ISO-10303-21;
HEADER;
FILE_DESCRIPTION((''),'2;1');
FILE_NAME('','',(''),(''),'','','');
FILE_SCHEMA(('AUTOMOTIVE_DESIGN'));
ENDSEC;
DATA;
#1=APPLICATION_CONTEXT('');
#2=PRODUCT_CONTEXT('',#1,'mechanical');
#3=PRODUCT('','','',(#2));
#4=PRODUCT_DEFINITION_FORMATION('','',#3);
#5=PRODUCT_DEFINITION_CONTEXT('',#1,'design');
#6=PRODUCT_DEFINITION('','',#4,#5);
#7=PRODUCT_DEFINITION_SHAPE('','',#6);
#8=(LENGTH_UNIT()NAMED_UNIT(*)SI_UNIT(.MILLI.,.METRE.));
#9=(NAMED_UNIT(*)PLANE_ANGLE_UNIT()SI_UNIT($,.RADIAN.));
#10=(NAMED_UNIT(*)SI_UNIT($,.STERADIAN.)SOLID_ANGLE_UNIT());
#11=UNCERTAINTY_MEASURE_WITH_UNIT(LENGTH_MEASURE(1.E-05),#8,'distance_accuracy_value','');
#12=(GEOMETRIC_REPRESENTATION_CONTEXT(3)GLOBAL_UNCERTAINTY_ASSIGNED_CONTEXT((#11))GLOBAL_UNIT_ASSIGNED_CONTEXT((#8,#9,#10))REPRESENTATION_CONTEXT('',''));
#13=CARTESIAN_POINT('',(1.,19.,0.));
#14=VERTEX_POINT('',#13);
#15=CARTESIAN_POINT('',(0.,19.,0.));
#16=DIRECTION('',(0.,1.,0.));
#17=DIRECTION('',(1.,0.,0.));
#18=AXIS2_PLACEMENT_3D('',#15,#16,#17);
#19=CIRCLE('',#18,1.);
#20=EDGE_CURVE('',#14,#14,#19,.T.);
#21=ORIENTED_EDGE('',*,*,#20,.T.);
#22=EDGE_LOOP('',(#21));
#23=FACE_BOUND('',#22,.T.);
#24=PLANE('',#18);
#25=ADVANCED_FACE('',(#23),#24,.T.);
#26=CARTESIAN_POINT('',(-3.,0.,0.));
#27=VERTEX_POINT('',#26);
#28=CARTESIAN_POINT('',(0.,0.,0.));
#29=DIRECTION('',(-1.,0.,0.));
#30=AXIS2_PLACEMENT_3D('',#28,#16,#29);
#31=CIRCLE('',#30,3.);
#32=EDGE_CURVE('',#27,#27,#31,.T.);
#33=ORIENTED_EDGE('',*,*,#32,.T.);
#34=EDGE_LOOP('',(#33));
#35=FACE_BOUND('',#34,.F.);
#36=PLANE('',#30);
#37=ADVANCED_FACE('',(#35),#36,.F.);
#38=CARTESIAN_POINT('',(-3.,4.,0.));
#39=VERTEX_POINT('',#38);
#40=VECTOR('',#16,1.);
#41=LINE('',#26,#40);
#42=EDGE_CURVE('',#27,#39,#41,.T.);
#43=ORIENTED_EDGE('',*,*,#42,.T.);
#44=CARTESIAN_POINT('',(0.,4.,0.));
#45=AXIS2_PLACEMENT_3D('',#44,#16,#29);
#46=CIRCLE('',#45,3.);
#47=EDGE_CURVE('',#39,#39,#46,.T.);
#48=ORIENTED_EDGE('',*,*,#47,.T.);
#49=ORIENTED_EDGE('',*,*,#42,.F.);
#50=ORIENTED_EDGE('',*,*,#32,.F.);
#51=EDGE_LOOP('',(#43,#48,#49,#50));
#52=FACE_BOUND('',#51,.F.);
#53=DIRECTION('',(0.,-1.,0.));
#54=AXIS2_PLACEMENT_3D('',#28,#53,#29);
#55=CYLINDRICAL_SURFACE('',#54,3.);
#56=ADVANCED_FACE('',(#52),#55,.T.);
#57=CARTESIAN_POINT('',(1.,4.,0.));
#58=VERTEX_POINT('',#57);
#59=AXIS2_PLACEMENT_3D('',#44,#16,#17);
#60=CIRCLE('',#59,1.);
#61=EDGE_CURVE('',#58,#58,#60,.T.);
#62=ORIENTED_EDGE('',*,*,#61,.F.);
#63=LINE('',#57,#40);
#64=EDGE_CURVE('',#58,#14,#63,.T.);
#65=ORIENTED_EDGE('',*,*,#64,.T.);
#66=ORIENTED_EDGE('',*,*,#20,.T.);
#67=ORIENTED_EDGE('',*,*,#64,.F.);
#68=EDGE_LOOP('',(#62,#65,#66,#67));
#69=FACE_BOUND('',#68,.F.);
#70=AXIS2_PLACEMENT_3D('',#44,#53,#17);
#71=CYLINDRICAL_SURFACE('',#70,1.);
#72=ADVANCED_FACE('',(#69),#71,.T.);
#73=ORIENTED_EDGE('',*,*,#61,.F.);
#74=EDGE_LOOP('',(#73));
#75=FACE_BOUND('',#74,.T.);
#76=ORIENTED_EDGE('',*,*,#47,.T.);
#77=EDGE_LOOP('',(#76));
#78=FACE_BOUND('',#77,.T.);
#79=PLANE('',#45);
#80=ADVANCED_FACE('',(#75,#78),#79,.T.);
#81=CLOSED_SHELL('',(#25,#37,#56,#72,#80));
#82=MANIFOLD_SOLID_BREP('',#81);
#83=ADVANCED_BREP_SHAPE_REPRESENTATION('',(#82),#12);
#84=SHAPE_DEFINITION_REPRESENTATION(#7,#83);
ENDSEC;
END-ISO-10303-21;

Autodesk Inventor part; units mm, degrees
ref_plane "YZ Plane" through (0, 0, 0) normal (1, 0, 0) x (0, 1, 0)
ref_plane "XZ Plane" through (0, 0, 0) normal (0, 1, 0) x (-1, 0, 0)
ref_plane "XY Plane" through (0, 0, 0) normal (0, 0, 1) x (1, 0, 0)
sketch "Sketch1" plane through (0, 0, 0) normal (0, 1, 0) x (-1, 0, 0)
  circle A0 centre (0, 0) radius 3
  dimension "d0" = 6
extrude "Extrusion1" add sketch "Sketch1" along normal blind 4
sketch "Sketch2" plane through (0, 4, 0) normal (0, 1, 0) x (1, 0, 0)
  circle A0 centre (0, 0) radius 1
  dimension "d3" = 2
extrude "Extrusion2" add sketch "Sketch2" along normal blind 15
properties part number "pluck"
